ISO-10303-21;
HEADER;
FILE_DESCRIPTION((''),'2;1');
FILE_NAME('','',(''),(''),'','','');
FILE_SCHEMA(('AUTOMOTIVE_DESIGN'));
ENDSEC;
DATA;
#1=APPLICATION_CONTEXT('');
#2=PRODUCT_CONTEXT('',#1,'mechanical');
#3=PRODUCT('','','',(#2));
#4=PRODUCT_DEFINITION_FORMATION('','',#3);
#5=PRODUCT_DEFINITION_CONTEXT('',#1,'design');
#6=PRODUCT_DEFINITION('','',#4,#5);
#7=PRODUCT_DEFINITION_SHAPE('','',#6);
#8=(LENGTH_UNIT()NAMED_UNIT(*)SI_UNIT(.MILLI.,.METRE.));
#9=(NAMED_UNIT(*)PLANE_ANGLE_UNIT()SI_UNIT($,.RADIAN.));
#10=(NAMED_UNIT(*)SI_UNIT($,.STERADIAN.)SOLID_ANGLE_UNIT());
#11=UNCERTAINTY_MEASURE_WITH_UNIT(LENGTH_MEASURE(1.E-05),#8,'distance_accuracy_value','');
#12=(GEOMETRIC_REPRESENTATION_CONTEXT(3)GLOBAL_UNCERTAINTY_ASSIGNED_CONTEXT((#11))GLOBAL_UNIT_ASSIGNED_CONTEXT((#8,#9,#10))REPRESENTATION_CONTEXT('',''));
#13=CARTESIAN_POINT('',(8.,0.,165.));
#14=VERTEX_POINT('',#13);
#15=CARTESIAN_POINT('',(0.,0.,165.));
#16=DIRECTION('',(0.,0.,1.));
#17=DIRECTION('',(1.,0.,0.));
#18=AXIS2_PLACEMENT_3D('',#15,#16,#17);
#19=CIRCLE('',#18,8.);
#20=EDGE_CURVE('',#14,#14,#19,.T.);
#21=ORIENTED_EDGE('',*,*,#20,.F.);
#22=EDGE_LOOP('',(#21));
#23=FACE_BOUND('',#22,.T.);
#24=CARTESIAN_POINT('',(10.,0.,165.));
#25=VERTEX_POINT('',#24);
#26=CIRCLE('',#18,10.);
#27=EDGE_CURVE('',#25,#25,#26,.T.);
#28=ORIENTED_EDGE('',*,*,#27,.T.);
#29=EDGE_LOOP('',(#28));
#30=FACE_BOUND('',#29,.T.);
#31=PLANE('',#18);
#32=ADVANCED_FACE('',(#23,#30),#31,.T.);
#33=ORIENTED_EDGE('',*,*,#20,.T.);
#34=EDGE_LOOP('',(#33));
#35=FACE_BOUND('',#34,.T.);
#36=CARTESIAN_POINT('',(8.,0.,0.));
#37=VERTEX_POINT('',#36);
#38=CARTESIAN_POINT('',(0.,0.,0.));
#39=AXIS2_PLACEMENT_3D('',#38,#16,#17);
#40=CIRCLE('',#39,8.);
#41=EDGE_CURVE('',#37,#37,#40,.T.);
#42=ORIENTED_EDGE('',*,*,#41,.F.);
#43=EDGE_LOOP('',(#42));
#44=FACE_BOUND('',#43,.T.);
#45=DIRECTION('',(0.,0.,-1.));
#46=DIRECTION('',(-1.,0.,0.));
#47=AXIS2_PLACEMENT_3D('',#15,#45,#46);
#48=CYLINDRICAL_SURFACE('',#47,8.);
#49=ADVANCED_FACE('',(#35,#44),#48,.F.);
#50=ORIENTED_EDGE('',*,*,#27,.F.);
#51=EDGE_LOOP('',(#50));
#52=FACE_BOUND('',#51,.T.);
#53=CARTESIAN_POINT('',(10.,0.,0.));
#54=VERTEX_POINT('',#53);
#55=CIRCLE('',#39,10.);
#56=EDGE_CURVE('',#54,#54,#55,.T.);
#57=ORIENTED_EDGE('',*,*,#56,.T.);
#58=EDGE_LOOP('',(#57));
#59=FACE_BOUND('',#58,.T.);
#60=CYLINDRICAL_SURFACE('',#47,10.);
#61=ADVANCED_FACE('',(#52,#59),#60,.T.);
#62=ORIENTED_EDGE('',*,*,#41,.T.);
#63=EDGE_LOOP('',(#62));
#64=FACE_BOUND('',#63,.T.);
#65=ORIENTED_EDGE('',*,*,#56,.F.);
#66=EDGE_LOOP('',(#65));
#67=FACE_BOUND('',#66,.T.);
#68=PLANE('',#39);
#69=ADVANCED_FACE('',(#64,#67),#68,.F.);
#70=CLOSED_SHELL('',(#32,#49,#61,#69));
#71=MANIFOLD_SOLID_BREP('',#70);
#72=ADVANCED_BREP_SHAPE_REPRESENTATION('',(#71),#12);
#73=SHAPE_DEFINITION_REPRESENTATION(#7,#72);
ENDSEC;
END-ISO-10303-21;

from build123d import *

# Parameters (mm, degrees)
SKETCH_1_R      = 10
SKETCH_1_R_2    = 8
EXTRUDE_1_DEPTH = 165


with BuildPart() as part:
    # 草图1 → 凸台-拉伸1 (new body)
    with BuildSketch(Plane.XY):
        Circle(SKETCH_1_R)
        Circle(SKETCH_1_R_2, mode=Mode.SUBTRACT)
    extrude(amount=EXTRUDE_1_DEPTH)


solid = part.part
